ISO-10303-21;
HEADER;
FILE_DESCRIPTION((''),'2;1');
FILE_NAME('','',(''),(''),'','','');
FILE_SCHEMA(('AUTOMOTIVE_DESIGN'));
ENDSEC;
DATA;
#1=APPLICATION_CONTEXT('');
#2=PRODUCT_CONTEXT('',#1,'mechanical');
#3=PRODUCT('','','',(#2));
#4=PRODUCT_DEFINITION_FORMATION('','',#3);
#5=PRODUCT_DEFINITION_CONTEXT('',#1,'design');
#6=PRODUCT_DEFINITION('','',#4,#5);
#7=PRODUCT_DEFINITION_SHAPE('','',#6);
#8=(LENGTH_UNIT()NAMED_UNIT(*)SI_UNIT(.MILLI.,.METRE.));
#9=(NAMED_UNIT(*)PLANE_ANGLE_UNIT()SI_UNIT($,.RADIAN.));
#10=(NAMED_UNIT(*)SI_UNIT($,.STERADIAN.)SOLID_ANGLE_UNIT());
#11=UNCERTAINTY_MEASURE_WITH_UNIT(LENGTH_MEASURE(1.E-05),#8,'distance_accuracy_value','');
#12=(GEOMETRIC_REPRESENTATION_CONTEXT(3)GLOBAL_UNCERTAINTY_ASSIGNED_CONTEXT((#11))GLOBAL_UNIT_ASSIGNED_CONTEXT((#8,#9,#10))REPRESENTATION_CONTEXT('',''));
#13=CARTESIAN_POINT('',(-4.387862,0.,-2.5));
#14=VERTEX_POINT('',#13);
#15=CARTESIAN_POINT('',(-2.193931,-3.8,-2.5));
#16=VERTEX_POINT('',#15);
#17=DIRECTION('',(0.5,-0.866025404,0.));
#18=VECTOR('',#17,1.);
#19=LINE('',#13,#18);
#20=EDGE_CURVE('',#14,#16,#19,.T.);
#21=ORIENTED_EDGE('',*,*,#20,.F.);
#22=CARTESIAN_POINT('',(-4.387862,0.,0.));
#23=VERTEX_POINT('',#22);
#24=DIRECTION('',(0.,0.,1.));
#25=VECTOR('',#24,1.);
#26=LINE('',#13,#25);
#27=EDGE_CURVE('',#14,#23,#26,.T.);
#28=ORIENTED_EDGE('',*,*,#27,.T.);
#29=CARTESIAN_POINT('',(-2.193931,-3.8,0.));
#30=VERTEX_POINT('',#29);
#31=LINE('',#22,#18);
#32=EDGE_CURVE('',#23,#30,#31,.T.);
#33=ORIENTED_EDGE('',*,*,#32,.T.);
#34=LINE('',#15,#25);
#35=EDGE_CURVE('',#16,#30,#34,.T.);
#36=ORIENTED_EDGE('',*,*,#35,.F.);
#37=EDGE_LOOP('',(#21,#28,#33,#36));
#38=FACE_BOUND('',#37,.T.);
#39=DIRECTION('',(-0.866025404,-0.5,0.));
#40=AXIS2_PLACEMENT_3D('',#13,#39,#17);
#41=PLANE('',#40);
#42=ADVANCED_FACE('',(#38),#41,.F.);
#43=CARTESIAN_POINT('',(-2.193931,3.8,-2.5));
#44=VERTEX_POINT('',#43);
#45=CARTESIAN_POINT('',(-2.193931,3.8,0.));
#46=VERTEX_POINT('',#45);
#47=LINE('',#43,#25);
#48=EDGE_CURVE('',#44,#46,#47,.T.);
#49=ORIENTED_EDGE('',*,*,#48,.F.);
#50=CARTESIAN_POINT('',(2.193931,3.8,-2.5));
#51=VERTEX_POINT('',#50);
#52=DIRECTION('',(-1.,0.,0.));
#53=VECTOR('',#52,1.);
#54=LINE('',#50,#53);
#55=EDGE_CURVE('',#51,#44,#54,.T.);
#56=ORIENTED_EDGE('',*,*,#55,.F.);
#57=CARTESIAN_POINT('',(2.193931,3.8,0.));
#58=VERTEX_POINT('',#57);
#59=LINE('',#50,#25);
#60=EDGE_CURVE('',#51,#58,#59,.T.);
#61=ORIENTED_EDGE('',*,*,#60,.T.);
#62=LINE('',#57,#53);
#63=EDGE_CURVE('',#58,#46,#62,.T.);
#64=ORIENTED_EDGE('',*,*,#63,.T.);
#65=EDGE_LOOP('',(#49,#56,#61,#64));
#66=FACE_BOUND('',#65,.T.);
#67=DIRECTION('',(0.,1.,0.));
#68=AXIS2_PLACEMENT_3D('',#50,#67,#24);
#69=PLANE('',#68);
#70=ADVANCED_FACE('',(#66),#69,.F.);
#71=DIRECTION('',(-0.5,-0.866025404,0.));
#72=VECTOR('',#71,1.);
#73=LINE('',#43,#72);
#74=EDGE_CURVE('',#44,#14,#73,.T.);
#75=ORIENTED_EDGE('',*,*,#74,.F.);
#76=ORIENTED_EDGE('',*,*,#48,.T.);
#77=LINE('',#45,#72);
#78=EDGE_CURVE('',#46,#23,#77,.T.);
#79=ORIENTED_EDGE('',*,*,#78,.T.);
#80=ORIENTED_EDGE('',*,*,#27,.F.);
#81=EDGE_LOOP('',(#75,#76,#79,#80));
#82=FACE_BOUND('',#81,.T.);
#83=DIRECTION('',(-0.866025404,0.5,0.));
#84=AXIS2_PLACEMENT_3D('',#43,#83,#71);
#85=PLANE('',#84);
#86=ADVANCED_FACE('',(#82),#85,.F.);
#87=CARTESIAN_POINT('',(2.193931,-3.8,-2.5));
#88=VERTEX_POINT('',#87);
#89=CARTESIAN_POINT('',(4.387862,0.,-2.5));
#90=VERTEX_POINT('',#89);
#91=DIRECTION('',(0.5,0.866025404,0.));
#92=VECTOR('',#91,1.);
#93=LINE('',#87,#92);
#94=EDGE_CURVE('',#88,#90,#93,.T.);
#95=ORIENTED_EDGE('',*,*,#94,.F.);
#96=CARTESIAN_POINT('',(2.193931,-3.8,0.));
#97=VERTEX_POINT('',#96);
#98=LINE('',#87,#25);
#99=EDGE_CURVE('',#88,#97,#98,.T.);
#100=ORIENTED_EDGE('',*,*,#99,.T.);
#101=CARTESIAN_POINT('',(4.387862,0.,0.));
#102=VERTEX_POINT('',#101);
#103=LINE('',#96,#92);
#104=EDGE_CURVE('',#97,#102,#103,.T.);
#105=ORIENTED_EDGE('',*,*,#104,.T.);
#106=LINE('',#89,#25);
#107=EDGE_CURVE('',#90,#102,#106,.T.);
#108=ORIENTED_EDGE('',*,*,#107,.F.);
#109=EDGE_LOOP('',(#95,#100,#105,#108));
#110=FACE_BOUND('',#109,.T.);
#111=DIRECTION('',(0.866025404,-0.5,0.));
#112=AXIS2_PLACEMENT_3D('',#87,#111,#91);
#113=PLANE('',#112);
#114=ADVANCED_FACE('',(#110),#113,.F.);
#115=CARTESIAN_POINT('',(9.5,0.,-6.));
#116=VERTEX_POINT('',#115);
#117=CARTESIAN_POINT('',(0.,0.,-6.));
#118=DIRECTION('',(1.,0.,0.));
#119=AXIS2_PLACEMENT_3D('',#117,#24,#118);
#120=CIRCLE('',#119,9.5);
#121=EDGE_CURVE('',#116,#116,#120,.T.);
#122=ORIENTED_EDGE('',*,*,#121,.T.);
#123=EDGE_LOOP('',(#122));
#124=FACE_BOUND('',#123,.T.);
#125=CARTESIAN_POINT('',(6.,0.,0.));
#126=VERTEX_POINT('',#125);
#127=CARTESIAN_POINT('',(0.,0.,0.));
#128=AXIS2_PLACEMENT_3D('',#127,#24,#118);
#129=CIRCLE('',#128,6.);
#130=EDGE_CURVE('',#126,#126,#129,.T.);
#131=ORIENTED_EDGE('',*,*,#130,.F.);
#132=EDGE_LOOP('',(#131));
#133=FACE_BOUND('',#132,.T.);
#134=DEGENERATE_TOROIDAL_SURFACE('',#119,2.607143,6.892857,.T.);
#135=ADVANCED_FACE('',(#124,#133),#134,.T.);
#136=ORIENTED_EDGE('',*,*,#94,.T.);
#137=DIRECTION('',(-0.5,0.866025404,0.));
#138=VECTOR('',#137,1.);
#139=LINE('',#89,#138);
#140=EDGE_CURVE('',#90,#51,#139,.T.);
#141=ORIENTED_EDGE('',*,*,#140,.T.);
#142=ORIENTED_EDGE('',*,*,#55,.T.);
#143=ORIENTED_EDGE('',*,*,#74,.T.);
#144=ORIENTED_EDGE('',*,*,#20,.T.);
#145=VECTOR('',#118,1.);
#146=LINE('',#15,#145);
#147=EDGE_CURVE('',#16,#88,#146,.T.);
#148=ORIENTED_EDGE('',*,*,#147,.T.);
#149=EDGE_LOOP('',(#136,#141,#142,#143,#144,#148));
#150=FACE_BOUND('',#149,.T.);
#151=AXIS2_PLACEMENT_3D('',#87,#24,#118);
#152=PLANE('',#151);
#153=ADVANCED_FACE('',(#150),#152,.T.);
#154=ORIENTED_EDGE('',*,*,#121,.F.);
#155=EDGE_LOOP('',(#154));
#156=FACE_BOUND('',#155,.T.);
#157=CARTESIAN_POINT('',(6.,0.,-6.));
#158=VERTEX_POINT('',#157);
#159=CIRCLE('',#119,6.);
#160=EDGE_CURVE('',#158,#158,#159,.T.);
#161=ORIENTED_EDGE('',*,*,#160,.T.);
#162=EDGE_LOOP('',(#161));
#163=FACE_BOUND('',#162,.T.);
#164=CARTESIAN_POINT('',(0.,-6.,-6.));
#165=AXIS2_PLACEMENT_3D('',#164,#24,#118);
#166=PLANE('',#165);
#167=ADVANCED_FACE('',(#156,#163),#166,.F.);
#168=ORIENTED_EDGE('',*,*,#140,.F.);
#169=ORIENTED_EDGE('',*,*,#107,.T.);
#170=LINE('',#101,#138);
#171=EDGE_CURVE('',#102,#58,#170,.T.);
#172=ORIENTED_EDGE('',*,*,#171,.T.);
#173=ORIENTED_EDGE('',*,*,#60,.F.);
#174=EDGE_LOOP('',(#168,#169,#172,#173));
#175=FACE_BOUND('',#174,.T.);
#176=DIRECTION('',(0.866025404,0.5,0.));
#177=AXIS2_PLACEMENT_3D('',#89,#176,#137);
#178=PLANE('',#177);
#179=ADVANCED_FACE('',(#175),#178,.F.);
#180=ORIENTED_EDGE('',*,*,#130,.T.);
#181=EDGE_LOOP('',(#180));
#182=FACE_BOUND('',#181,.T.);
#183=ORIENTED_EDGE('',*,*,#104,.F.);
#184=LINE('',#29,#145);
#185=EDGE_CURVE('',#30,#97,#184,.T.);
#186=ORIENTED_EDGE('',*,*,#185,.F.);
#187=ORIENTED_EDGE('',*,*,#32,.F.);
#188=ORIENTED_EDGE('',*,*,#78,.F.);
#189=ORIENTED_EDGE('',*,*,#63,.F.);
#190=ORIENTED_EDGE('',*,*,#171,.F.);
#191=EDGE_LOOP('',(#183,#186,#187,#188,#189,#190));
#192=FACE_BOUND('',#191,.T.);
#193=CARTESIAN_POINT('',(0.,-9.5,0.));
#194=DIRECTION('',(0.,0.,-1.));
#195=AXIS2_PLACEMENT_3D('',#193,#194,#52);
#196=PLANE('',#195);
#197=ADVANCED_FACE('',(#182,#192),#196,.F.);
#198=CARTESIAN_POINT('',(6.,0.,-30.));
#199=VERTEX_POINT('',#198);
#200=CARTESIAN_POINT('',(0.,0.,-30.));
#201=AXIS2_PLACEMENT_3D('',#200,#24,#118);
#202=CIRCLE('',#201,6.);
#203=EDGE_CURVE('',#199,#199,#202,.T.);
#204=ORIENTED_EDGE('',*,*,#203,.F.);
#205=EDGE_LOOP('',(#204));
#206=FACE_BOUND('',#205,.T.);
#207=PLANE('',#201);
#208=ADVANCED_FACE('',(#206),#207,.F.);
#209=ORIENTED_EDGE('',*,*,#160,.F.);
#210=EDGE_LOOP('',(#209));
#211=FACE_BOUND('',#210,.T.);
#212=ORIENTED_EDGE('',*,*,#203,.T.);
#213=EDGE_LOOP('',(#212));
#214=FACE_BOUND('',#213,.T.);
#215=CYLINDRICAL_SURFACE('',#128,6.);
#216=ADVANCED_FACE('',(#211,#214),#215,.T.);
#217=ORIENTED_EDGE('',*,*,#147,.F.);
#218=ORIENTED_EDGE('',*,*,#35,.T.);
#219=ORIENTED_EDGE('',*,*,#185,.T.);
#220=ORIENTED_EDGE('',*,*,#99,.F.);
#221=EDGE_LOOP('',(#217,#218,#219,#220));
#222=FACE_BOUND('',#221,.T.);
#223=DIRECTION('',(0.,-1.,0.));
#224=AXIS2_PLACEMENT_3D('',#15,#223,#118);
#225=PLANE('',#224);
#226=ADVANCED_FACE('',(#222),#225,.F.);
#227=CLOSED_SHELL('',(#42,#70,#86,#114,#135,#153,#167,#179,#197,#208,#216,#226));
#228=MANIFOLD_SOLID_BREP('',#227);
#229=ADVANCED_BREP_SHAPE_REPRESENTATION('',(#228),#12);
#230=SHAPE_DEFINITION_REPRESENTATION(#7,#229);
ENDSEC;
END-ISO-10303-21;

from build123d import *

# Parameters (mm, degrees)
CUT_EXTRUDE_1_DEPTH = 2.5


with BuildPart() as part:
    # 草图2 → 旋转1 (revolve)
    with BuildSketch(Plane(origin=(0, 0, 0), x_dir=(0, 0, -1), z_dir=(1, 0, 0)), mode=Mode.PRIVATE) as revolve_1_sk:
        Polygon((6, 9.5), (0, 9.5), (0, 0), (30, 0), (30, 6), (6, 6), align=None)
    revolve(revolve_1_sk.sketch.rotate(Axis((0, 0, 0), (0, 0, -1)), 90), axis=Axis((0, 0, 0), (0, 0, -1)))

    # 草图3 → 切除-拉伸1 (cut)
    with BuildSketch(Plane.XY):
        Polygon((2.193931023, -3.8), (4.387862046, 0), (2.193931023, 3.8), (-2.193931023, 3.8), (-4.387862046, 0), (-2.193931023, -3.8), align=None)
    extrude(amount=-CUT_EXTRUDE_1_DEPTH, mode=Mode.SUBTRACT)

    # 草图4 → 切除-旋转1 (revolve, cut)
    with BuildSketch(Plane(origin=(0, 0, 0), x_dir=(0, 0, -1), z_dir=(1, 0, 0)), mode=Mode.PRIVATE) as cut_revolve_1_sk:
        with BuildLine():
            Line((6, 9.5), (0, 9.5))
            Line((0, 9.5), (0, 6))
            ThreePointArc((0, 6), (2.526889003, 8.561047424), (6, 9.5))
        make_face()
    revolve(cut_revolve_1_sk.sketch.rotate(Axis((0, 0, 0), (0, 0, -1)), 90), axis=Axis((0, 0, 0), (0, 0, -1)), mode=Mode.SUBTRACT)


solid = part.part
